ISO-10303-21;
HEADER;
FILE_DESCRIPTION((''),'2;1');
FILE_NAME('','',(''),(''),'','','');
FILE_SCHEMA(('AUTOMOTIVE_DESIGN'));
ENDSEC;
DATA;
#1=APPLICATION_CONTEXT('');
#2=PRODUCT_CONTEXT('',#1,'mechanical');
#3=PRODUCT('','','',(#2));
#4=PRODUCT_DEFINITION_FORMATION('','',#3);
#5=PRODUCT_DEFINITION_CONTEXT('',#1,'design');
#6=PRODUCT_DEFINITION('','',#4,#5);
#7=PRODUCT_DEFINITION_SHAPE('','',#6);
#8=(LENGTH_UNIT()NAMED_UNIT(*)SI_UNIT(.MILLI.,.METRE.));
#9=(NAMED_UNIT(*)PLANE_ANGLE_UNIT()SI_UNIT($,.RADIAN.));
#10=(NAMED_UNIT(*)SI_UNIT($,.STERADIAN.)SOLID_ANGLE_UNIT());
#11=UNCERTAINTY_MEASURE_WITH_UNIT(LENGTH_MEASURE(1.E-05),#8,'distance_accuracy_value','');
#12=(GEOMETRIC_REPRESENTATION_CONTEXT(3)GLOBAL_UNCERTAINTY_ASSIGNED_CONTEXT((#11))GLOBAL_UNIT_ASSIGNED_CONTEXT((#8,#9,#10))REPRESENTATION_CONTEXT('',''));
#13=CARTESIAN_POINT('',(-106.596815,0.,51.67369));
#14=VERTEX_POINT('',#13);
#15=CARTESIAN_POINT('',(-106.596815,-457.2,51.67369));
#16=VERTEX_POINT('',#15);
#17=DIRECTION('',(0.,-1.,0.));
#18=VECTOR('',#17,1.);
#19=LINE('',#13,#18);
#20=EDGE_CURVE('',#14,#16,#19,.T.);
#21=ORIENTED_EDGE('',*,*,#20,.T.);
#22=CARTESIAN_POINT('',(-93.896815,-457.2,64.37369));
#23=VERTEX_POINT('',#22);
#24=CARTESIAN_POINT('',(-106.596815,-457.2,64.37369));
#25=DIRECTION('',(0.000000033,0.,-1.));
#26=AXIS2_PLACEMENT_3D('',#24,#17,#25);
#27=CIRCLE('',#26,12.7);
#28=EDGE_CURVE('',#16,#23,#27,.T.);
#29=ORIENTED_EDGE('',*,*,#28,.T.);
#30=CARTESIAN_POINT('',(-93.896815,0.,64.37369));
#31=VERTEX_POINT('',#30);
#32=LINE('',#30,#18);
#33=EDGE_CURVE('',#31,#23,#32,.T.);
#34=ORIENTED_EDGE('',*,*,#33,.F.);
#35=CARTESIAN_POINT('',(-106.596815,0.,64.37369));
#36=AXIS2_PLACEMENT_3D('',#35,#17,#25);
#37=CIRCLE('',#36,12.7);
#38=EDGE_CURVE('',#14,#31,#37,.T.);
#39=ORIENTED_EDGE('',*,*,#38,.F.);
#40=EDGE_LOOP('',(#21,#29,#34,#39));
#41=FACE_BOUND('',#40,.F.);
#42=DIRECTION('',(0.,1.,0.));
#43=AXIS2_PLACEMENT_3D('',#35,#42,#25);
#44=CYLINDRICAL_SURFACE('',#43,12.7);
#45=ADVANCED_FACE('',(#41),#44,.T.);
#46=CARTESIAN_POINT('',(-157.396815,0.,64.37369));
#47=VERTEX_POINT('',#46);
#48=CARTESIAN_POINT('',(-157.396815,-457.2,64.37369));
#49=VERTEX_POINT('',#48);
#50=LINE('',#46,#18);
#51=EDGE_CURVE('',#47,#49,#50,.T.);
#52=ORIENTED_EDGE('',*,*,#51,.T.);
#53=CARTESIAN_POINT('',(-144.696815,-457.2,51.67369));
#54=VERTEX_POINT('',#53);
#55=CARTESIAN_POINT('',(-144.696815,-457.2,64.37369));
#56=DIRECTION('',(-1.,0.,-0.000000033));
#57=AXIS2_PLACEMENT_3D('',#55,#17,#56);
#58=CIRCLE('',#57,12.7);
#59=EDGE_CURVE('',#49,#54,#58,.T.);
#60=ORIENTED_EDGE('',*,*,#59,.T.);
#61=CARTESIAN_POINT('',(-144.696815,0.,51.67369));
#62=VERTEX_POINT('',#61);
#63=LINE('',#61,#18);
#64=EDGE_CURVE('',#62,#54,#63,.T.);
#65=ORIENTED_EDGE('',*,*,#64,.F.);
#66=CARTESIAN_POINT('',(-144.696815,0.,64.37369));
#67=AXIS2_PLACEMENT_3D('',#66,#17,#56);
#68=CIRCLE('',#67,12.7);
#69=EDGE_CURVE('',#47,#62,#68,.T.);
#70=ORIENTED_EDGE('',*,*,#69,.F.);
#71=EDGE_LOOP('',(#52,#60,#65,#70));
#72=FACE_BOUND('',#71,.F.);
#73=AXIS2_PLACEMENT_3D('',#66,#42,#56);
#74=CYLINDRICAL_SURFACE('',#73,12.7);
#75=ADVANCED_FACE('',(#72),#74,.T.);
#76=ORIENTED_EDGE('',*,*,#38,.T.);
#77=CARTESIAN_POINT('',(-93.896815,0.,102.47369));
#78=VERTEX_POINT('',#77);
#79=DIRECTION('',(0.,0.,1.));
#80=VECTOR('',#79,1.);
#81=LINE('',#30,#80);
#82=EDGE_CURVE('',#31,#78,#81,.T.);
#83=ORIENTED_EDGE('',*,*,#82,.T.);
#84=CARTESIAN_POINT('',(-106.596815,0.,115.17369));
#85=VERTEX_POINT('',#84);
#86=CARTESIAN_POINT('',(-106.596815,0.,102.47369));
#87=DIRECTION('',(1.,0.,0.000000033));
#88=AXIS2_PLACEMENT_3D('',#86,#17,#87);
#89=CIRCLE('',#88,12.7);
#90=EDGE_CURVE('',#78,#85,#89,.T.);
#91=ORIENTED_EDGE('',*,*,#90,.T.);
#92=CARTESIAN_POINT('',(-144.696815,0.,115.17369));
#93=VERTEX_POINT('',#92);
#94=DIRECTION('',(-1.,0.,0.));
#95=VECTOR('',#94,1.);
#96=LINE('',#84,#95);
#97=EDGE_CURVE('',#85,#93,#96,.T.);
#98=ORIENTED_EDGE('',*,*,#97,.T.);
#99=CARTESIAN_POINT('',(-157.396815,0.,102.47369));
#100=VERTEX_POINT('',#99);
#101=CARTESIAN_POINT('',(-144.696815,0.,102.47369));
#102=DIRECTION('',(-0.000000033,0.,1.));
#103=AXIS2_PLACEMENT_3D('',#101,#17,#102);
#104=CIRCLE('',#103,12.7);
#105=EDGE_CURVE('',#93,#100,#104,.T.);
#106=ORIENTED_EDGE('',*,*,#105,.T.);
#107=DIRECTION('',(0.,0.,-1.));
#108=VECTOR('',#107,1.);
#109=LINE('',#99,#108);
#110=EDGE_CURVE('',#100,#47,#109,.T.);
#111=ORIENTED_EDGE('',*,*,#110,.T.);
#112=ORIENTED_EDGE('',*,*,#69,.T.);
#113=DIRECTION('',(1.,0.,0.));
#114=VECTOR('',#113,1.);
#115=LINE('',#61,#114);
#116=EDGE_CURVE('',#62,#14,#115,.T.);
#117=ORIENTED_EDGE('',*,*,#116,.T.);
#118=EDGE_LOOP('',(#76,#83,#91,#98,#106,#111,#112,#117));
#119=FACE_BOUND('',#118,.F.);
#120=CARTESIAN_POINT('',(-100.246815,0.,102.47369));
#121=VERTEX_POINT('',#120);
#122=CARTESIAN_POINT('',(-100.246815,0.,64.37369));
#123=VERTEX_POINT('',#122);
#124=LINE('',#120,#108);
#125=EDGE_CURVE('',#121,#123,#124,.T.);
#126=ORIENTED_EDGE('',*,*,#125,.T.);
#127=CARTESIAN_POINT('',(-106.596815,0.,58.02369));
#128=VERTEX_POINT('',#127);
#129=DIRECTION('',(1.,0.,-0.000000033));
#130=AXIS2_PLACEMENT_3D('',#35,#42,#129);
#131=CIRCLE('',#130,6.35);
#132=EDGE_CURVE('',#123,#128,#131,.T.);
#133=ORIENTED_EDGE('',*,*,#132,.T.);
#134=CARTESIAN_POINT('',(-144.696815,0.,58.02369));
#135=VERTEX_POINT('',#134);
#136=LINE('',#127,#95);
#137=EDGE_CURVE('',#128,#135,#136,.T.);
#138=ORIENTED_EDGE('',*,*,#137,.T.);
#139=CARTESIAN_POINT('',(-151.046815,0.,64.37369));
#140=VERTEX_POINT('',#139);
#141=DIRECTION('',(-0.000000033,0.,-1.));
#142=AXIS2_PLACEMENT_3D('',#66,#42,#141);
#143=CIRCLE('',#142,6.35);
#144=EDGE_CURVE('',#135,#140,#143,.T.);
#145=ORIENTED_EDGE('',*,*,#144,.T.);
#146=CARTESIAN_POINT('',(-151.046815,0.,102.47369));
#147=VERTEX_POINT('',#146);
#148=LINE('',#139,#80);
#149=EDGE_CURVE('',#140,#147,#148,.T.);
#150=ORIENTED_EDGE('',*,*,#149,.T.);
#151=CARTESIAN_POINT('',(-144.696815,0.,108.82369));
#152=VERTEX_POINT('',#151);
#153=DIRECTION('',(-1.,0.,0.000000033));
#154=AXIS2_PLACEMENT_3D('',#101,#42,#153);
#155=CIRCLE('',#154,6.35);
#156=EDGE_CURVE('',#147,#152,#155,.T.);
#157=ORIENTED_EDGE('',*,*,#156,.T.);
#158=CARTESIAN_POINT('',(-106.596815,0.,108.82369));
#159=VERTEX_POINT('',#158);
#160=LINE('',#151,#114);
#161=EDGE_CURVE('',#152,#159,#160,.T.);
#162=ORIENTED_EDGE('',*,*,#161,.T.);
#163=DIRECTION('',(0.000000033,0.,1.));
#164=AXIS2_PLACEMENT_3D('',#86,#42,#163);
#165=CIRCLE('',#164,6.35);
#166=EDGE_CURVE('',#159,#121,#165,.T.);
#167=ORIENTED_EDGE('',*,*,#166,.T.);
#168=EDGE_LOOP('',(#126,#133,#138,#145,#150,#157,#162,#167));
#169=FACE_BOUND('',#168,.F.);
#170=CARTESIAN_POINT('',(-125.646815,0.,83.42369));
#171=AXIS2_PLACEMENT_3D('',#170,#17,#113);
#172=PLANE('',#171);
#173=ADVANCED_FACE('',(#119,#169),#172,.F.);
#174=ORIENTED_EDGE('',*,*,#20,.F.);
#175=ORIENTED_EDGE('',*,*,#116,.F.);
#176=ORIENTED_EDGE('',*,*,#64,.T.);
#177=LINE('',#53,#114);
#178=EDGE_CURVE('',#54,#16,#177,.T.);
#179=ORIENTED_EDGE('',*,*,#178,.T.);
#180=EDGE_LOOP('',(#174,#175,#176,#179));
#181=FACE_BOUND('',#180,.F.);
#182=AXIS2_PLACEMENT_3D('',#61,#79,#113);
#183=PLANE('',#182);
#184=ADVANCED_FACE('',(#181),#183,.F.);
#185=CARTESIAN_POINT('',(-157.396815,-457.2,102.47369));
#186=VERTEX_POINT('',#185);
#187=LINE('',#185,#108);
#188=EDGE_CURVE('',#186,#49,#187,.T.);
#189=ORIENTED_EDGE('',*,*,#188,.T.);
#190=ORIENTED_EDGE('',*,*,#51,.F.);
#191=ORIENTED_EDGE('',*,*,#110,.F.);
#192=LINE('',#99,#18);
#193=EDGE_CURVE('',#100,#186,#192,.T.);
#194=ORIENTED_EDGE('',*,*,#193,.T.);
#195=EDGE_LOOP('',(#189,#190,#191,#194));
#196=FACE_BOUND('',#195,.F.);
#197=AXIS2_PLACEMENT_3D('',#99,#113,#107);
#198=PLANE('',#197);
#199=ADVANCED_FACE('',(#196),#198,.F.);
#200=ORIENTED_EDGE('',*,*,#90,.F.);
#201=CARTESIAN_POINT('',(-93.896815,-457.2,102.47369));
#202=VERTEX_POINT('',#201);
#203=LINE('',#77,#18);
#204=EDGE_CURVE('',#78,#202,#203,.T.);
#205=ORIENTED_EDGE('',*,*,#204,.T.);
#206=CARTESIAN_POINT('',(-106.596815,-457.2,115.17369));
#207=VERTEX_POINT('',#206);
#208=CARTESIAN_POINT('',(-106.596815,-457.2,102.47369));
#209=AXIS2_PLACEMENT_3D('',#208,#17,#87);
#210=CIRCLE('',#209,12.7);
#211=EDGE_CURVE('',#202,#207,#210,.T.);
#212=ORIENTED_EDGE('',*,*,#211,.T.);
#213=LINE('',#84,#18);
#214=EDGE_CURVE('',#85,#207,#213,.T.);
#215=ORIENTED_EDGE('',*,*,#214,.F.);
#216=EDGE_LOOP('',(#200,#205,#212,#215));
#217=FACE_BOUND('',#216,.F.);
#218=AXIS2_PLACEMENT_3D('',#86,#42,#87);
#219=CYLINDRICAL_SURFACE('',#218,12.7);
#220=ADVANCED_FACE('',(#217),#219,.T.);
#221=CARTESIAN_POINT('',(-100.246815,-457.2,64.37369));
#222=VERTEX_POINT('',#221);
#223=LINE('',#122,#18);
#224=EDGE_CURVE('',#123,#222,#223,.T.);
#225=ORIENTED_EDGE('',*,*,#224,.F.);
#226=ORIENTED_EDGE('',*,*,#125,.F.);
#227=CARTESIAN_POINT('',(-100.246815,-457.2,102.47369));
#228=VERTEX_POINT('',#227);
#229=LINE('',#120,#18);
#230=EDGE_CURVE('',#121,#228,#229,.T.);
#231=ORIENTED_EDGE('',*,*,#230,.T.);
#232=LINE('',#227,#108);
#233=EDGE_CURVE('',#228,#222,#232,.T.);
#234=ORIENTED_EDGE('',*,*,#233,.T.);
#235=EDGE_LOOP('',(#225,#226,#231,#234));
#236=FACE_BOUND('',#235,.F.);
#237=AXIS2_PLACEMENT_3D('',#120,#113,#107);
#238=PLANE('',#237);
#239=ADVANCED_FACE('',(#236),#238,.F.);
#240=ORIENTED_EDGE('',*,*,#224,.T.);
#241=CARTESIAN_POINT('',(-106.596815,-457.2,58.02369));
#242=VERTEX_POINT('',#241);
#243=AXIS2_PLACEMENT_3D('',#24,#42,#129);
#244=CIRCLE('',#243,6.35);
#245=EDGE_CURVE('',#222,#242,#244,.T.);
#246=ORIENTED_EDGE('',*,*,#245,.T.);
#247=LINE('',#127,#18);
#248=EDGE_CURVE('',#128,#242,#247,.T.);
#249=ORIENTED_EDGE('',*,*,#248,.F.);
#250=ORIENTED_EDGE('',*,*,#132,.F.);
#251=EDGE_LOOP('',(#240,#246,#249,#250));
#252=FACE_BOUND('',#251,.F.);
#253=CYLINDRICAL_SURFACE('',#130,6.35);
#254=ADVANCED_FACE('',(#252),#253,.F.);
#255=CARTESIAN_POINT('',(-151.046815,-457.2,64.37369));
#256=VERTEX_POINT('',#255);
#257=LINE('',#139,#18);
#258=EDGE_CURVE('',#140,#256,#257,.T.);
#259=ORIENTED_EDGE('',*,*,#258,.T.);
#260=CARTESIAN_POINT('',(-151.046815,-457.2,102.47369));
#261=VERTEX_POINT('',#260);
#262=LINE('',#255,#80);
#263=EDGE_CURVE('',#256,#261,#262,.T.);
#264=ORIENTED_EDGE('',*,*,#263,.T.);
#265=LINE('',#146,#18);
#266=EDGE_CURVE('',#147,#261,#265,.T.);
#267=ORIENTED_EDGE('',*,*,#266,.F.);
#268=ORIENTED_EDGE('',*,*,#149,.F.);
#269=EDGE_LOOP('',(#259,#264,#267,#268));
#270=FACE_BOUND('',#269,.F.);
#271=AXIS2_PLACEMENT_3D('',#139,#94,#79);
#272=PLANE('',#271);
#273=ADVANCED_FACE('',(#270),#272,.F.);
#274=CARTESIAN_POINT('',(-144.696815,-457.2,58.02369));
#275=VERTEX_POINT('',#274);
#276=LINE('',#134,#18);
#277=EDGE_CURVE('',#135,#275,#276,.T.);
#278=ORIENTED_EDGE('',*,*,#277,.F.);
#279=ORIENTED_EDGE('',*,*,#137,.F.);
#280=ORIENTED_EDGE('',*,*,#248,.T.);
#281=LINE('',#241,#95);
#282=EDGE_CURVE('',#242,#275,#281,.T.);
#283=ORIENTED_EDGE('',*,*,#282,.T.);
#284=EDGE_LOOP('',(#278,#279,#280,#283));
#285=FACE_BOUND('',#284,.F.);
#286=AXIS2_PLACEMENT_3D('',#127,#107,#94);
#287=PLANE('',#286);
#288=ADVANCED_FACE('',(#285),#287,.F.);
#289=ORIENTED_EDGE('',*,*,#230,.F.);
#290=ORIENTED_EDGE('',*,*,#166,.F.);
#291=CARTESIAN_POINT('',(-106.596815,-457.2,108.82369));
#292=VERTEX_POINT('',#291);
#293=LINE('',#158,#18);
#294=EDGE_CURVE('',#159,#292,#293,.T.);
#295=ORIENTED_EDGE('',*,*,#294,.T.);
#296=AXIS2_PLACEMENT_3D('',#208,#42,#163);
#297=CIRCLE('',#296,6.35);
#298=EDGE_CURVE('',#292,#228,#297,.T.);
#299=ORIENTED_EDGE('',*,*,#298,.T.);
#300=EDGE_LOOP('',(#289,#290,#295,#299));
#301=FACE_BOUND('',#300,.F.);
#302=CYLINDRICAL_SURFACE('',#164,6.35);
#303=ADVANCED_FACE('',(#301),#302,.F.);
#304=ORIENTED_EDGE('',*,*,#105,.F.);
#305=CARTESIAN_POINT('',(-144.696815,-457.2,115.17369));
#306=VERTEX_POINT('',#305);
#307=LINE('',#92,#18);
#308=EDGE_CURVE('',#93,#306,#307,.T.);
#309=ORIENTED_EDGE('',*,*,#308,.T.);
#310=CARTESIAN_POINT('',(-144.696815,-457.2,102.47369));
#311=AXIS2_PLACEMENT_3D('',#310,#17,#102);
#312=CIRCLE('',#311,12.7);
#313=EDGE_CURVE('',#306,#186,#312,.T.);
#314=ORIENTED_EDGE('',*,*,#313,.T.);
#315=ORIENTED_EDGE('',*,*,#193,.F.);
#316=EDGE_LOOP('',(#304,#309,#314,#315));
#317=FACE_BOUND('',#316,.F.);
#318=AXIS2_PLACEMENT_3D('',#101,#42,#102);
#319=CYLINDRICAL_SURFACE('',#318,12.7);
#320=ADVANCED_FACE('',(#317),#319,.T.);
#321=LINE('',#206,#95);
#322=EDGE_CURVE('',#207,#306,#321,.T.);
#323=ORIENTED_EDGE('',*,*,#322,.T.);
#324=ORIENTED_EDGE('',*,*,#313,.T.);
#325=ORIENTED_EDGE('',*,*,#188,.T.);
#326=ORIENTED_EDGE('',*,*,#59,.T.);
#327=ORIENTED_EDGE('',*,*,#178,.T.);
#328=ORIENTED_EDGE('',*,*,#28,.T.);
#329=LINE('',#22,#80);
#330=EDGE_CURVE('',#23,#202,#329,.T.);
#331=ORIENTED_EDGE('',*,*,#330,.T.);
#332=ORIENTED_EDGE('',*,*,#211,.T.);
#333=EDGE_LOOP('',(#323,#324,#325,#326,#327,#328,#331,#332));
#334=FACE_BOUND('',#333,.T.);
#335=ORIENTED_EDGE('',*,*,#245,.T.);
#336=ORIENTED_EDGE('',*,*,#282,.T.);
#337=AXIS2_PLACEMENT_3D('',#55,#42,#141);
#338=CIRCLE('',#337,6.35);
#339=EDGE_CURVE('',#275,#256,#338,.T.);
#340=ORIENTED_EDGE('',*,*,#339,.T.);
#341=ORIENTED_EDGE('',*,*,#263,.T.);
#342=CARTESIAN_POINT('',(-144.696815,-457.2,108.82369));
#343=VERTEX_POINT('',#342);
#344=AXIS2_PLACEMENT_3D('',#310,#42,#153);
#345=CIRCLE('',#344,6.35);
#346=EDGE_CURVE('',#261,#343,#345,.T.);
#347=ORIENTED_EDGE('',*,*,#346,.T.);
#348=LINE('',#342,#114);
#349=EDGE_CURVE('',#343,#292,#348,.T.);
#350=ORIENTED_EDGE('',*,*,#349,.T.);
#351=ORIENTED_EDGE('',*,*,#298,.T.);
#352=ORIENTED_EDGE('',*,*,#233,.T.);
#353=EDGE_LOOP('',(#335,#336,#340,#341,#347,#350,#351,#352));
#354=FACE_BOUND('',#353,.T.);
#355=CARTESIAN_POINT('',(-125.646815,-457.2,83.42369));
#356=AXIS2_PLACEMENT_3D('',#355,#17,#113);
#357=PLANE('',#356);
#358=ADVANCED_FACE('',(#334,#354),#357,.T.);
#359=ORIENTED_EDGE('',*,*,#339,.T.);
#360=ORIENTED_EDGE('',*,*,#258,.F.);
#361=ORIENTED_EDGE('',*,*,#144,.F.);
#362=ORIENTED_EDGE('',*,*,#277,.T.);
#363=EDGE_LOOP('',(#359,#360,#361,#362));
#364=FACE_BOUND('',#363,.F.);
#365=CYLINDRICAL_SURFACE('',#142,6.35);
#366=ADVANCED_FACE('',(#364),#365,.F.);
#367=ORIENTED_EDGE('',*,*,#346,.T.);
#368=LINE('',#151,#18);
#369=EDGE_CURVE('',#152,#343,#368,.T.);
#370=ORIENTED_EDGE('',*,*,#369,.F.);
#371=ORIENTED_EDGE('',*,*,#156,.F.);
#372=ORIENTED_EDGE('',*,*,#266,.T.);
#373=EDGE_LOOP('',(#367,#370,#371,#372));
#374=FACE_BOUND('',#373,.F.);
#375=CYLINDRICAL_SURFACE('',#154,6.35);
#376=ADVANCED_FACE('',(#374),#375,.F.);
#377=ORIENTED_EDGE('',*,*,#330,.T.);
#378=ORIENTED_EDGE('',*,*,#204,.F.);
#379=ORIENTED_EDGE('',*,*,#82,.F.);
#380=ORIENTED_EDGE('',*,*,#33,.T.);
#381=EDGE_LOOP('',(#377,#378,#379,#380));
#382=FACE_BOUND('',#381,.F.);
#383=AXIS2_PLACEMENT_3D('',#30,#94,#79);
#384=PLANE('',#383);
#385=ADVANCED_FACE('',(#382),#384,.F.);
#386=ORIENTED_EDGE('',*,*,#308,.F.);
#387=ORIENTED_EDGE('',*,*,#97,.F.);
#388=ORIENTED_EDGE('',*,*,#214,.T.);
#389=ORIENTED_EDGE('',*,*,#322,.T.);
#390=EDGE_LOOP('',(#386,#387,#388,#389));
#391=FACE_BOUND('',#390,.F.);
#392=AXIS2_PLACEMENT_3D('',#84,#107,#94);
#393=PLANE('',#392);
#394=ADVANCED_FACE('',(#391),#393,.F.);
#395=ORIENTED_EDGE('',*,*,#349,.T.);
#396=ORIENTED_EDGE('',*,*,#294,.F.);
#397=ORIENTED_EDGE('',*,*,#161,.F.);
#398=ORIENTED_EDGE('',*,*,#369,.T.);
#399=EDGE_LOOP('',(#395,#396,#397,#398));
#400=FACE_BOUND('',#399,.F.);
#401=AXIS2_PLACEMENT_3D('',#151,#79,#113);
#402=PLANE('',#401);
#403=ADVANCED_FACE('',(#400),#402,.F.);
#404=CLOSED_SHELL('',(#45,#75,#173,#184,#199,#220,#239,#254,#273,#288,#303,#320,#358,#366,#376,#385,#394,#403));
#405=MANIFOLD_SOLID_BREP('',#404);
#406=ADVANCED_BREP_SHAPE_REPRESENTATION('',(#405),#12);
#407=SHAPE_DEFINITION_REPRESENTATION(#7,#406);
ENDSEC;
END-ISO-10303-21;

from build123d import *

# Parameters (mm, degrees)
F1_DEPTH = 457.2


with BuildPart() as f1:
    # F0 (on Front) → F1 (new body)
    with BuildSketch(Plane.XZ):
        with BuildLine():
            Line((-157.396815, 102.47369), (-157.396815, 64.37369))
            ThreePointArc((-157.396815, 64.37369), (-153.677071, 55.393434), (-144.696815, 51.67369))
            Line((-144.696815, 51.67369), (-106.596815, 51.67369))
            ThreePointArc((-106.596815, 51.67369), (-97.616559, 55.393434), (-93.896815, 64.37369))
            Line((-93.896815, 64.37369), (-93.896815, 102.47369))
            ThreePointArc((-93.896815, 102.47369), (-97.616559, 111.453946), (-106.596815, 115.17369))
            Line((-106.596815, 115.17369), (-144.696815, 115.17369))
            ThreePointArc((-144.696815, 115.17369), (-153.677071, 111.453946), (-157.396815, 102.47369))
        make_face()
        with BuildLine():
            Line((-106.596815, 58.02369), (-144.696815, 58.02369))
            ThreePointArc((-144.696815, 58.02369), (-149.186943, 59.883562), (-151.046815, 64.37369))
            Line((-151.046815, 64.37369), (-151.046815, 102.47369))
            ThreePointArc((-151.046815, 102.47369), (-149.186943, 106.963818), (-144.696815, 108.82369))
            Line((-144.696815, 108.82369), (-106.596815, 108.82369))
            ThreePointArc((-106.596815, 108.82369), (-102.106687, 106.963818), (-100.246815, 102.47369))
            Line((-100.246815, 102.47369), (-100.246815, 64.37369))
            ThreePointArc((-100.246815, 64.37369), (-102.106687, 59.883562), (-106.596815, 58.02369))
        make_face(mode=Mode.SUBTRACT)
    extrude(amount=F1_DEPTH)


solid = f1.part
